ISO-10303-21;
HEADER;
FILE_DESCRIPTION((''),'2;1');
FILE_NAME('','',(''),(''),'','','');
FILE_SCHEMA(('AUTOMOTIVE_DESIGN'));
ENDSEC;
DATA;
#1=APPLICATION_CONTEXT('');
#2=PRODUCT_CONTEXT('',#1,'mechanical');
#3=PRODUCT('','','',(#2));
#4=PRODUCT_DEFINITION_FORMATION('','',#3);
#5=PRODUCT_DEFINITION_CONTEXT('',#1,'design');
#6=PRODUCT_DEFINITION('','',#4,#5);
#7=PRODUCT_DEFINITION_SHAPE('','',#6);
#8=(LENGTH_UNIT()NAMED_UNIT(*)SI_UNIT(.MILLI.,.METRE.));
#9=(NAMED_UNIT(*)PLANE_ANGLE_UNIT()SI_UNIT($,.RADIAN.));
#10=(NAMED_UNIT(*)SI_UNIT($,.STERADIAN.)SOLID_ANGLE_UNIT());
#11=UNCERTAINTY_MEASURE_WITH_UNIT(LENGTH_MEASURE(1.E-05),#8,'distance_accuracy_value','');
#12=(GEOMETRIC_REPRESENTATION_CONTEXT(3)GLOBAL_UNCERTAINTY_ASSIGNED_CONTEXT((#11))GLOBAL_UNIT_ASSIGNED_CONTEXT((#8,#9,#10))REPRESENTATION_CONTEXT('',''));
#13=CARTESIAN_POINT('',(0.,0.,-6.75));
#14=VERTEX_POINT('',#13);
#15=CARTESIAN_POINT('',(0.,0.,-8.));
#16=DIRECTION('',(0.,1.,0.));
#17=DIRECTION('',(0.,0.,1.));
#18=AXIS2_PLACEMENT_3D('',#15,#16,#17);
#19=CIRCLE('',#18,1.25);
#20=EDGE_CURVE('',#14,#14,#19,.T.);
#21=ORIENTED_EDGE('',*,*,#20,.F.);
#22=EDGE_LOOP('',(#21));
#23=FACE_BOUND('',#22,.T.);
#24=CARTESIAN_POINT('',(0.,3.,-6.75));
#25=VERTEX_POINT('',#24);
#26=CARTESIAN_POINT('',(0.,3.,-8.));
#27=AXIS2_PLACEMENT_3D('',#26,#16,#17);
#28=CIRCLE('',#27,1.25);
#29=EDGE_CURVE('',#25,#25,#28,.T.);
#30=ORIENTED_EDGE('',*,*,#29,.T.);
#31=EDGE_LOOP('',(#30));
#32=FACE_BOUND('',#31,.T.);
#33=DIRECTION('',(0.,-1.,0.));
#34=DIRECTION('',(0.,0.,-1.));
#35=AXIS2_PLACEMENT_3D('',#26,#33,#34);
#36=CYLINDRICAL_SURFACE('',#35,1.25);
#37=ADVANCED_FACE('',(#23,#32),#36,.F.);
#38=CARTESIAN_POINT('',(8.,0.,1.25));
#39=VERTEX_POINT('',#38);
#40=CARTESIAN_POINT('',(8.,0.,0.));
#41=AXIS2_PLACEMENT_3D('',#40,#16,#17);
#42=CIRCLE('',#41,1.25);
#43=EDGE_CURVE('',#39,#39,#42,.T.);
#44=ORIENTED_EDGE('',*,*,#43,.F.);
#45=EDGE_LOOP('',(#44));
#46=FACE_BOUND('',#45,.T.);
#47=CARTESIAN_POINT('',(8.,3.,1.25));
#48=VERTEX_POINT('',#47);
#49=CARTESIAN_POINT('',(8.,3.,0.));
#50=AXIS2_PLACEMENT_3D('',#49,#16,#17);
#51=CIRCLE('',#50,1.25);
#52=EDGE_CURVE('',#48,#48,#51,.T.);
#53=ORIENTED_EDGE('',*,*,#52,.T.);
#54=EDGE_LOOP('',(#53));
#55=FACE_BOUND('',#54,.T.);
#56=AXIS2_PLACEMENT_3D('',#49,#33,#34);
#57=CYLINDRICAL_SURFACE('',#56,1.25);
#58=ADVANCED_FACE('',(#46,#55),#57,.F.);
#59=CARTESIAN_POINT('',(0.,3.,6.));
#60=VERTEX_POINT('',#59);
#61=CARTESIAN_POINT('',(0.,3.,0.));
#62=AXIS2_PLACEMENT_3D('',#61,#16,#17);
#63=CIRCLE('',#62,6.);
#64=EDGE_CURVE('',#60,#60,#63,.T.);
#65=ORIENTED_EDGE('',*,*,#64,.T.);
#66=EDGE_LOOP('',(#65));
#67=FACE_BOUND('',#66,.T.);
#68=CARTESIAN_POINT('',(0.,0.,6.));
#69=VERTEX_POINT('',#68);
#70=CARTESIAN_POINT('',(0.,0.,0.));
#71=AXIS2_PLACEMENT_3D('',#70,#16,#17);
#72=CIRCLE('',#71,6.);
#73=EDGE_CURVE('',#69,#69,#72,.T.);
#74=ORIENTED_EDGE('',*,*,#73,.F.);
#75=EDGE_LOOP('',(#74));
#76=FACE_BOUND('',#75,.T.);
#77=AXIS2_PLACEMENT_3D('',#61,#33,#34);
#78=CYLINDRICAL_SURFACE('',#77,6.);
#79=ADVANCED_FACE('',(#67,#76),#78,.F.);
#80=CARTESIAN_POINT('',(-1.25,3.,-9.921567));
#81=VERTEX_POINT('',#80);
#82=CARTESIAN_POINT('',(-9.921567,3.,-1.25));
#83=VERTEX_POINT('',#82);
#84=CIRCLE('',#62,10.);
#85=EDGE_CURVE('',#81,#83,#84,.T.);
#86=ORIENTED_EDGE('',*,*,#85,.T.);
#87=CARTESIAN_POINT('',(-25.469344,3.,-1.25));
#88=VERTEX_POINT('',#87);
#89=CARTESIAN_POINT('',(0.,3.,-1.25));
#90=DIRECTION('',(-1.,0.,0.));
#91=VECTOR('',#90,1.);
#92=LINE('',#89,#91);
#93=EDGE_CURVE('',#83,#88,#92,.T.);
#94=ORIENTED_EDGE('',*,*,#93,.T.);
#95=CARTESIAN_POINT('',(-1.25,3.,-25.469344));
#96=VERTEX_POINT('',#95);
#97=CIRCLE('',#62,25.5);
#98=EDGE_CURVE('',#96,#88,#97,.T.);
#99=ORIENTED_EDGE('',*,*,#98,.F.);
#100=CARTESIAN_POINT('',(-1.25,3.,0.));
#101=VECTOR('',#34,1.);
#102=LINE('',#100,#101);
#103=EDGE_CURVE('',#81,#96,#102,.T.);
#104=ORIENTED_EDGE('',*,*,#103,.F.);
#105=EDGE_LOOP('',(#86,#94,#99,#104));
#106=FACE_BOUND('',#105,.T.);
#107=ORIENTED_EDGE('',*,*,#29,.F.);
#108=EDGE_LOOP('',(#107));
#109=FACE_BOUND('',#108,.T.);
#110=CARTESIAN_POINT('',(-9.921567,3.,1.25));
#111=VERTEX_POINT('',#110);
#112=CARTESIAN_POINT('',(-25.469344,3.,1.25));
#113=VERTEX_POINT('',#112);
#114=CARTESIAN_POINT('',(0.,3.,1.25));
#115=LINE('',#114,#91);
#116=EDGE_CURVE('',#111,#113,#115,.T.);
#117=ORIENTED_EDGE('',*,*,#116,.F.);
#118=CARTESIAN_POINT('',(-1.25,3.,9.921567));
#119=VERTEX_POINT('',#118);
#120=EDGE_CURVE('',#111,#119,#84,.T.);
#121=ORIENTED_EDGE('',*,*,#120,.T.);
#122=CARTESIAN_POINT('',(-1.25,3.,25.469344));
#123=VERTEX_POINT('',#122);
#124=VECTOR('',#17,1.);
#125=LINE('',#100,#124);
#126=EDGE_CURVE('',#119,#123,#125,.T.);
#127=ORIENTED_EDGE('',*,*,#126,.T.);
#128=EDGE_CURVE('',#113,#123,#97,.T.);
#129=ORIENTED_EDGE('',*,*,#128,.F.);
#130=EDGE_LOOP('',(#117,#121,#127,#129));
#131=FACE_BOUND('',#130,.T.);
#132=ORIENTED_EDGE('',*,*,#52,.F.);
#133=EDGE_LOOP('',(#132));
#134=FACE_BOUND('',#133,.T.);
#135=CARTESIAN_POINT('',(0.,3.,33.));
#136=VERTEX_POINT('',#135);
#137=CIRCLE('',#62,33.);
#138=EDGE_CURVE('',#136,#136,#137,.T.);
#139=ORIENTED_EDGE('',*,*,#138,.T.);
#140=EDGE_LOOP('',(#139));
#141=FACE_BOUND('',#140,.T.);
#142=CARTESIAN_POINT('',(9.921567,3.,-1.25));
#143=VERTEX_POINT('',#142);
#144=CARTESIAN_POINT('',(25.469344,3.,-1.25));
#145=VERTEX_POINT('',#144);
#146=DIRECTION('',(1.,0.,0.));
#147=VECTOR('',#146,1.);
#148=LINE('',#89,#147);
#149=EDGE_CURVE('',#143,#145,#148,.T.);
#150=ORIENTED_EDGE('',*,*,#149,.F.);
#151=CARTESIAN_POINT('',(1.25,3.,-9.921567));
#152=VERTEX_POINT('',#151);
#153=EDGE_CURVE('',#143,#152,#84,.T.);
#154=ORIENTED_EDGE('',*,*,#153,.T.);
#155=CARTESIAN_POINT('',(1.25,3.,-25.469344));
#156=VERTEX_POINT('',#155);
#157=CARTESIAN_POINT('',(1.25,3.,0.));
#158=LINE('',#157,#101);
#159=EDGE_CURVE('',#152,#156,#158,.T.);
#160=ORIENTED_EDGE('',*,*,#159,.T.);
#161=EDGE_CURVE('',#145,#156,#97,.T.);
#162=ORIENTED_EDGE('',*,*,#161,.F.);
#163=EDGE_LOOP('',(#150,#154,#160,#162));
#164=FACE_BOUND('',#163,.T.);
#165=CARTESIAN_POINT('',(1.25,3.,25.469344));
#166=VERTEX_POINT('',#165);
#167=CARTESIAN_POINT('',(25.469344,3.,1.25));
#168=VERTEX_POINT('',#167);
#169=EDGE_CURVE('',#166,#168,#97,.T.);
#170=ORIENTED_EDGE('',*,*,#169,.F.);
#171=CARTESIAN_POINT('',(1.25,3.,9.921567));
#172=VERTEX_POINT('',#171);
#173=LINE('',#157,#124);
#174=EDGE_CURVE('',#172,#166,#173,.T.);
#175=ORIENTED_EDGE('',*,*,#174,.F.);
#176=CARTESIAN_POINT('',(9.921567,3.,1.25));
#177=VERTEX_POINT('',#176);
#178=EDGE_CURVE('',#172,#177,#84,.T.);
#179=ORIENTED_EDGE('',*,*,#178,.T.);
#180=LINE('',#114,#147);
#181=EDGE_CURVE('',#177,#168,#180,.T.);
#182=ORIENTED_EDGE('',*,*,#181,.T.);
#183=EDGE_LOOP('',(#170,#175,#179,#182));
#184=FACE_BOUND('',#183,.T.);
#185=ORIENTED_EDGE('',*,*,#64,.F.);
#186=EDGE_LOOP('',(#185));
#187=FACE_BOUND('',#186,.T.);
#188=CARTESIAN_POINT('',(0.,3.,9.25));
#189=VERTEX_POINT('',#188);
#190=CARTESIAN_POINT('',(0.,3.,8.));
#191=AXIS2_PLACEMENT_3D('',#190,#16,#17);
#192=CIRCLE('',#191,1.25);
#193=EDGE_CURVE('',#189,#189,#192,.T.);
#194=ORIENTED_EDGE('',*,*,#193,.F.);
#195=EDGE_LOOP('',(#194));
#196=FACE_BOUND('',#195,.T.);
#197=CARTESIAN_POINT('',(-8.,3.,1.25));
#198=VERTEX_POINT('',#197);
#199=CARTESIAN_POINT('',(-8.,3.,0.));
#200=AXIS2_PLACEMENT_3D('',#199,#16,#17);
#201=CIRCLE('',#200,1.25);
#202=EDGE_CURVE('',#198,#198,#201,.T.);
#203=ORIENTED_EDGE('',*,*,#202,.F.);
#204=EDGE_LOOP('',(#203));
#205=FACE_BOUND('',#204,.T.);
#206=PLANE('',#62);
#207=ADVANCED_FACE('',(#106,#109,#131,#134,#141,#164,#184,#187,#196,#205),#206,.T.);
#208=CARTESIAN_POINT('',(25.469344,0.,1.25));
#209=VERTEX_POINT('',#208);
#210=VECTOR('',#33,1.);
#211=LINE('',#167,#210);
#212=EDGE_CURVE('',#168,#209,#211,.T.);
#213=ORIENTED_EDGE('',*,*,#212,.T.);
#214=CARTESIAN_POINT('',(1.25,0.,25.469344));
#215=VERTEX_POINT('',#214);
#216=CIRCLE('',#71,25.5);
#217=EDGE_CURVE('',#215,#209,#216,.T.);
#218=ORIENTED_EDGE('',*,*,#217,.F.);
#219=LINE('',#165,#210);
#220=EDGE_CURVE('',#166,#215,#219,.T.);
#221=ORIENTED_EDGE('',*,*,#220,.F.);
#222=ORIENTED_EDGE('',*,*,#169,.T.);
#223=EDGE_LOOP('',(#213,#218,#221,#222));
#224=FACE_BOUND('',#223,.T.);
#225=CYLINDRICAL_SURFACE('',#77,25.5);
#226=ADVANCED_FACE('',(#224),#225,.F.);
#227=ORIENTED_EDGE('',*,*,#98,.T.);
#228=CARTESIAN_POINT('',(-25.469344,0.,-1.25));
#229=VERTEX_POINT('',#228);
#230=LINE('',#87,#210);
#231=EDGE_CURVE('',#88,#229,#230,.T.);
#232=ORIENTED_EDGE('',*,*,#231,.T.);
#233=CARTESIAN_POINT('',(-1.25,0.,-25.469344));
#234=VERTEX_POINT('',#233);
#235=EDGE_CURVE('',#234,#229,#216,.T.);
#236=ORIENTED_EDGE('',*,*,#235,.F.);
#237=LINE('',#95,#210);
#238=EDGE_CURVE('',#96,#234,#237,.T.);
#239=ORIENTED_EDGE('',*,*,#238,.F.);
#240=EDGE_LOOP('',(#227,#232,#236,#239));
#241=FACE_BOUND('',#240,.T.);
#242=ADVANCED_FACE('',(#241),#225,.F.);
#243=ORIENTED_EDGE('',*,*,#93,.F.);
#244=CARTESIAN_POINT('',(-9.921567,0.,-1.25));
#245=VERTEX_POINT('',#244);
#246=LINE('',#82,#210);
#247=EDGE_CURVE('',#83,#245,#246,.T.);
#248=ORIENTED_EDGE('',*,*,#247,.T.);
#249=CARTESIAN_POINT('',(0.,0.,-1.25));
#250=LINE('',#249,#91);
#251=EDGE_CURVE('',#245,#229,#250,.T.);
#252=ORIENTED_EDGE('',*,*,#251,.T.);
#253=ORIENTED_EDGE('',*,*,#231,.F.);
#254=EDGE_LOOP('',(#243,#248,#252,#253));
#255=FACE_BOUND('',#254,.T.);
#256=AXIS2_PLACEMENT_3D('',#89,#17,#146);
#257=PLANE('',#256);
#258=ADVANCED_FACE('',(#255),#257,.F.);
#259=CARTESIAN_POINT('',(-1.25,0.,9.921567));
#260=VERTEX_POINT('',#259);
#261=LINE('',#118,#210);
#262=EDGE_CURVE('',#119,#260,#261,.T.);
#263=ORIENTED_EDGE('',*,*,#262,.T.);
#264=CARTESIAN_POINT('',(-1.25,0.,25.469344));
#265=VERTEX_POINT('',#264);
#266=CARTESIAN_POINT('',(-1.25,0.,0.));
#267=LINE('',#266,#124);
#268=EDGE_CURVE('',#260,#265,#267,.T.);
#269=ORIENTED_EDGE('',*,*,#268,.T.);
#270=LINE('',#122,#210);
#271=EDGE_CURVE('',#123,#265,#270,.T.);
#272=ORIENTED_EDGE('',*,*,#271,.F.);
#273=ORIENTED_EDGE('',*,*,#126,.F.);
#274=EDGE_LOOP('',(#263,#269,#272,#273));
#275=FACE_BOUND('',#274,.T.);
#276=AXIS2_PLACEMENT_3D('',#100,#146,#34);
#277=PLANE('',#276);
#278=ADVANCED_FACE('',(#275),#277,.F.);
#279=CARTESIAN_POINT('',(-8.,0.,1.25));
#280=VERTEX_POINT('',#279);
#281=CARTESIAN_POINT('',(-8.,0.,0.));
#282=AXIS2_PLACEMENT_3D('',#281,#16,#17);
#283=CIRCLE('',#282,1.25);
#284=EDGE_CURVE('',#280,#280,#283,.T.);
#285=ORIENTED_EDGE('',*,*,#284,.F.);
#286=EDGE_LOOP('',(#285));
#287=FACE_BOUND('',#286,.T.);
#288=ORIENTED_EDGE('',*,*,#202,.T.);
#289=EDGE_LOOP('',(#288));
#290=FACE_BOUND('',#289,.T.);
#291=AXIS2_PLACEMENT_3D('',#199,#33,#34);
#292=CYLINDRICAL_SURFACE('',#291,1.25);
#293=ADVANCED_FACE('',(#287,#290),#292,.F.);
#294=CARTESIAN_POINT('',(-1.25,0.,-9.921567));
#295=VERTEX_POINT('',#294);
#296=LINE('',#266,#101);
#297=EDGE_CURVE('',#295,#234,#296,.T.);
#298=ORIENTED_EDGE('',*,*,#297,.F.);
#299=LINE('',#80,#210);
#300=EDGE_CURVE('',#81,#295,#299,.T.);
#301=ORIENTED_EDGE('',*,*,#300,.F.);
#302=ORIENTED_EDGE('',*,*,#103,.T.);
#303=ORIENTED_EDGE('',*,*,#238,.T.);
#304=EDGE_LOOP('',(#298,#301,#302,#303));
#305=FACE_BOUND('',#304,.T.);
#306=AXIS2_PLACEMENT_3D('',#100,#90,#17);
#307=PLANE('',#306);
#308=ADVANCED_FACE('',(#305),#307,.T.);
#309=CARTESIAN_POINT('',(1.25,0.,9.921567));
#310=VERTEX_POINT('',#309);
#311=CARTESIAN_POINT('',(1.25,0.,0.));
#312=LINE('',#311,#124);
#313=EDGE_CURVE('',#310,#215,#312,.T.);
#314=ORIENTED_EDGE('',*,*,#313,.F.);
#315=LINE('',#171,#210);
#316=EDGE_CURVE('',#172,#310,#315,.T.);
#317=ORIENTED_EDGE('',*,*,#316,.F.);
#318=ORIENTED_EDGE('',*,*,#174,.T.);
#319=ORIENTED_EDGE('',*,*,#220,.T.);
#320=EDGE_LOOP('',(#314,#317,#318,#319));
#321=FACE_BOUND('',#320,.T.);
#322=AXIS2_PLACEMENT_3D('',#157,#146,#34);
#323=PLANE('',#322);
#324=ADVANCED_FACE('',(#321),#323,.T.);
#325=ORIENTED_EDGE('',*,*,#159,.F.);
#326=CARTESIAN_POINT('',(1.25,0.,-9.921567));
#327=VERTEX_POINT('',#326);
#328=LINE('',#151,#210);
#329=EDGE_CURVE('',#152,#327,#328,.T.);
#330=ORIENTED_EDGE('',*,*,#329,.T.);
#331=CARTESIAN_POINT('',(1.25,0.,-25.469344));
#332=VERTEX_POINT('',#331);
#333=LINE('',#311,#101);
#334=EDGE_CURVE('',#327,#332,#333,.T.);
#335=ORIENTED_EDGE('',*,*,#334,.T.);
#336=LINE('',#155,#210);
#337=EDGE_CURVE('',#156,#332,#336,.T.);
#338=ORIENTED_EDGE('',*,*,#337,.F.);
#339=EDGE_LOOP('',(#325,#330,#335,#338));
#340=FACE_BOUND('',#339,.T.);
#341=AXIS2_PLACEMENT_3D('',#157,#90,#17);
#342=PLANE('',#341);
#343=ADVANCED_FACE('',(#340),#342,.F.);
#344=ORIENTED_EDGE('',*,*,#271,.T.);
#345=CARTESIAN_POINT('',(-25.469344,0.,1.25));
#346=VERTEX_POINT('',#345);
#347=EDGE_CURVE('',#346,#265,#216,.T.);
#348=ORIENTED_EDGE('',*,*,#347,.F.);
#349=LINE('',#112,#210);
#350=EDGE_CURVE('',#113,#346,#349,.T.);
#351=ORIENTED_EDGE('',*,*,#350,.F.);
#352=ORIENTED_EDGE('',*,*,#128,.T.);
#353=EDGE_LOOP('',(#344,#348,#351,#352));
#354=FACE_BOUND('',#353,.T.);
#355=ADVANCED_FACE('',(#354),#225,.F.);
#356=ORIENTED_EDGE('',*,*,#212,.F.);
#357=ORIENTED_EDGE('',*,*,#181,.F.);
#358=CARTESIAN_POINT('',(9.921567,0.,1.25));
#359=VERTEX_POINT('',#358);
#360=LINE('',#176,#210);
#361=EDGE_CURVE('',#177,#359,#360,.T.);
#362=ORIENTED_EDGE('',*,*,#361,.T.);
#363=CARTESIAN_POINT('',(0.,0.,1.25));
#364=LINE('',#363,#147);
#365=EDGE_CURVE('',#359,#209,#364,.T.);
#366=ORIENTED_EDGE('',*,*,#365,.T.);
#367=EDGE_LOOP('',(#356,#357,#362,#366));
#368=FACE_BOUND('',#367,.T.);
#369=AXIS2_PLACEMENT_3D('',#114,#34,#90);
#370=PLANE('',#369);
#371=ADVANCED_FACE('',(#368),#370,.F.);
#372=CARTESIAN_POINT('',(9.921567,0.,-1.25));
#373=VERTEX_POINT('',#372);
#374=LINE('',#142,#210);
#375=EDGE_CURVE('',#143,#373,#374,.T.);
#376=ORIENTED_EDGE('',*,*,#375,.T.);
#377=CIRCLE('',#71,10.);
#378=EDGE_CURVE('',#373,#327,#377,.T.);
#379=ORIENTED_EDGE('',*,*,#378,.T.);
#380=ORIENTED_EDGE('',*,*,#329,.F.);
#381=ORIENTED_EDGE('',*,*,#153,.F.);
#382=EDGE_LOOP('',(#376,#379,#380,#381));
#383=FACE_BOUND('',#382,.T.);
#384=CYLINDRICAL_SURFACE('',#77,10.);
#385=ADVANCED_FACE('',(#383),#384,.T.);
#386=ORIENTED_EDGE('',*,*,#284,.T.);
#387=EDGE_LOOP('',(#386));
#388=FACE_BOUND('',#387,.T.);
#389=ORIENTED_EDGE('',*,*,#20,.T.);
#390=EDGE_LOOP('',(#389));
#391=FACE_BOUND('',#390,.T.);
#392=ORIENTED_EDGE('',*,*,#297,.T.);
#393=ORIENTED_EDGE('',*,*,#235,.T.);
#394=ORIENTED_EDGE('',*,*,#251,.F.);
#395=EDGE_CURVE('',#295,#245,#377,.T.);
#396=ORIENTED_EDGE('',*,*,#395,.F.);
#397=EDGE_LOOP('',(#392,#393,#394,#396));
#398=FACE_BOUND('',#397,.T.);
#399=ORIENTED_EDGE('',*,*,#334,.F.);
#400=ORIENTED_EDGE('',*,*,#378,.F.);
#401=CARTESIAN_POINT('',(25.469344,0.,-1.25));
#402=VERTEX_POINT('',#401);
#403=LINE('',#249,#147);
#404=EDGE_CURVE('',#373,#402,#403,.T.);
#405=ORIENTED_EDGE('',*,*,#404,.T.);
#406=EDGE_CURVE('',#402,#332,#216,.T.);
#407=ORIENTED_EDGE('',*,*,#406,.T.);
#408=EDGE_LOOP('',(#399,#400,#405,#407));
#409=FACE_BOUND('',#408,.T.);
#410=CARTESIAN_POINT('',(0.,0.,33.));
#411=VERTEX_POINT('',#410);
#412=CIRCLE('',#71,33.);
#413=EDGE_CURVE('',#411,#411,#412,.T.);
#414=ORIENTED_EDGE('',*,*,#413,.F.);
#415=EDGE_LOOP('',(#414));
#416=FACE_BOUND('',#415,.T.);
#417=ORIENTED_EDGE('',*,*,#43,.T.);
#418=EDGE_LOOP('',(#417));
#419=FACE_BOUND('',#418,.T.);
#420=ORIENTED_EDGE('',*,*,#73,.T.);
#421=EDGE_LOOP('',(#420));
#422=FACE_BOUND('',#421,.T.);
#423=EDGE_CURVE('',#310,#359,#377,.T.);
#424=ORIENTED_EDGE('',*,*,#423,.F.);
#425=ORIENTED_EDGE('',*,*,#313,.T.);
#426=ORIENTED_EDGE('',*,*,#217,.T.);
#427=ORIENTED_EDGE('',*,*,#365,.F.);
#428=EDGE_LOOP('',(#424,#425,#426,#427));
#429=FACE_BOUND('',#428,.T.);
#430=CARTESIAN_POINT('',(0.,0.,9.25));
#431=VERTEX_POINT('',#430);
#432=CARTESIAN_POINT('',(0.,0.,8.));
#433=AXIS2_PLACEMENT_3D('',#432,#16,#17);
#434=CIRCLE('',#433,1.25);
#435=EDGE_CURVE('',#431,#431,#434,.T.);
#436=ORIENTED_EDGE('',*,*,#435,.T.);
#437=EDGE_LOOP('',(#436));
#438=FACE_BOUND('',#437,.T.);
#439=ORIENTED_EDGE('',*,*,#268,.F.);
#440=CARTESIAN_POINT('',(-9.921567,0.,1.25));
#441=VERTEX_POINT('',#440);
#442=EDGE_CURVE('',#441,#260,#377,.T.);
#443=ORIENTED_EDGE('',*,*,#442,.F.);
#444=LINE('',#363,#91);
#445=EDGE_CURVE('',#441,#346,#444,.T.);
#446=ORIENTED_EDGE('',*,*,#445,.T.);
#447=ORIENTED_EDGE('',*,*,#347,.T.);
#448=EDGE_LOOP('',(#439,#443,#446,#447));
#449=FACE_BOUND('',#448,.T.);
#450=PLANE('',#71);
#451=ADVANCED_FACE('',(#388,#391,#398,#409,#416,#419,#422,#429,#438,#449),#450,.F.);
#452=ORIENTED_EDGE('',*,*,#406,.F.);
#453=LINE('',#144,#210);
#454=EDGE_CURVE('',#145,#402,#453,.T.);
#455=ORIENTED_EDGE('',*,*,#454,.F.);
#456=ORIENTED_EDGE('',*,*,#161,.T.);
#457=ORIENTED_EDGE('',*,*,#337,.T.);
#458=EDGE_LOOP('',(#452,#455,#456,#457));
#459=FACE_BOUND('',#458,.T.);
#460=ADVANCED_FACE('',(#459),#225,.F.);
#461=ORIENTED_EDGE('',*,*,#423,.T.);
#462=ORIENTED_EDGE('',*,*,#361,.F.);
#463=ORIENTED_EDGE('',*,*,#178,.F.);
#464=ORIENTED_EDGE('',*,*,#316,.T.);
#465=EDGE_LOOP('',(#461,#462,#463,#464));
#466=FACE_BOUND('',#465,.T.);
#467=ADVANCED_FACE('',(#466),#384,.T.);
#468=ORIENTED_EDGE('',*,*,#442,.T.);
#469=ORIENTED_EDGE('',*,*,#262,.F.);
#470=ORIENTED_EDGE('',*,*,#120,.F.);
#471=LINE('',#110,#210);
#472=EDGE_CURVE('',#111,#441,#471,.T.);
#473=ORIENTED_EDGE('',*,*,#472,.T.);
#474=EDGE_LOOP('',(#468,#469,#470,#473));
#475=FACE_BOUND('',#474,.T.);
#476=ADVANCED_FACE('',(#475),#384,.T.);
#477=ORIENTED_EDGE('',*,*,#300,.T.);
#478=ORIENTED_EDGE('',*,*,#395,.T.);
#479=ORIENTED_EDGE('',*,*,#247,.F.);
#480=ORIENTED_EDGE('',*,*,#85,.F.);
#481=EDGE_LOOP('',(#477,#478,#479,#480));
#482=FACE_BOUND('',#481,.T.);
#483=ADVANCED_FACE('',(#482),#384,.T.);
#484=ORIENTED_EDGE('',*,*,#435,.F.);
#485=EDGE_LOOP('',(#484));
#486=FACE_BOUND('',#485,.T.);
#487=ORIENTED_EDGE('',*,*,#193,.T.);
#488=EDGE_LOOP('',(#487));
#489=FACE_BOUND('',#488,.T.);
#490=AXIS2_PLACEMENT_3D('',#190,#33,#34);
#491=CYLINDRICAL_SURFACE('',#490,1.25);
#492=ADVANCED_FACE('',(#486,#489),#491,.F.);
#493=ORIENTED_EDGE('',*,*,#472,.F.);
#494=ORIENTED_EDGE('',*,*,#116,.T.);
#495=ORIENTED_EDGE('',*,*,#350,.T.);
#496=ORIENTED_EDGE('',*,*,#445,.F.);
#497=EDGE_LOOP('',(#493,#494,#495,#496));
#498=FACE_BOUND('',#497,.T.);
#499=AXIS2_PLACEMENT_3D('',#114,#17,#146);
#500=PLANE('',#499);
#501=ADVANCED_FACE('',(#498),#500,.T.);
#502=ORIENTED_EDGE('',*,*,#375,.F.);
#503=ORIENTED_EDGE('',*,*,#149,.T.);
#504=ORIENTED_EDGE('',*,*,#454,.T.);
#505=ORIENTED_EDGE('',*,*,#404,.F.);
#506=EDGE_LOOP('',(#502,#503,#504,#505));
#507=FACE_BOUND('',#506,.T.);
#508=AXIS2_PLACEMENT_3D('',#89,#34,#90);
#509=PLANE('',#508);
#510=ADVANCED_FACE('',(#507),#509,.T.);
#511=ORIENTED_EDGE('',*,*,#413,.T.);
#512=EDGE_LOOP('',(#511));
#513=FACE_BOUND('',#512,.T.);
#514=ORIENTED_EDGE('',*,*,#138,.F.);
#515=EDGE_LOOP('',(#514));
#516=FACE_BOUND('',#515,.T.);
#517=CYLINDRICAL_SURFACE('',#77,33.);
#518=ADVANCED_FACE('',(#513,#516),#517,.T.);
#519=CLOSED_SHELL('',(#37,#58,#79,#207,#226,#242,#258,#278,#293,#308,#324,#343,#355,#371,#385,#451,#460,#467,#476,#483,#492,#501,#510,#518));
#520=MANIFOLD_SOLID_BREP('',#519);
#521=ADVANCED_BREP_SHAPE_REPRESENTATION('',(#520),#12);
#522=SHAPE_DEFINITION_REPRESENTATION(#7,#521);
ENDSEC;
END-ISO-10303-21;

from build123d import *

# Parameters (mm, degrees)
SKETCH_1_R      = 33
SKETCH_1_R_2    = 25.5
SKETCH_1_R_3    = 10
SKETCH_1_R_4    = 1.25
SKETCH_1_R_5    = 6
EXTRUDE_1_DEPTH = 3


with BuildPart() as part:
    # 草图1 → 凸台-拉伸1 (new body)
    # profile 1 of 6: a face of its own
    with BuildSketch(Plane(origin=(0, 0, 0), x_dir=(1, 0, 0), z_dir=(0, 1, 0))):
        with Locations(Location((0, 0, 0), (0, 0, 270))):
            Circle(SKETCH_1_R)
        Circle(SKETCH_1_R_2, mode=Mode.SUBTRACT)
    # profile 2 of 6: a face of its own
    with BuildSketch(Plane(origin=(0, 0, 0), x_dir=(1, 0, 0), z_dir=(0, 1, 0))):
        with BuildLine():
            ThreePointArc((-9.921567416, -1.25), (-10, 0), (-9.921567416, 1.25))
            Line((-9.921567416, 1.25), (-25.469344318, 1.25))
            ThreePointArc((-25.469344318, 1.25), (-25.5, 0), (-25.469344318, -1.25))
            Line((-25.469344318, -1.25), (-9.921567416, -1.25))
        make_face()
    # profile 3 of 6: a face of its own
    with BuildSketch(Plane(origin=(0, 0, 0), x_dir=(1, 0, 0), z_dir=(0, 1, 0))):
        with BuildLine():
            ThreePointArc((-1.25, 9.921567416), (0, 10), (1.25, 9.921567416))
            Line((1.25, 9.921567416), (1.25, 25.469344318))
            ThreePointArc((1.25, 25.469344318), (0, 25.5), (-1.25, 25.469344318))
            Line((-1.25, 25.469344318), (-1.25, 9.921567416))
        make_face()
    # profile 4 of 6: a face of its own
    with BuildSketch(Plane(origin=(0, 0, 0), x_dir=(1, 0, 0), z_dir=(0, 1, 0))):
        Circle(SKETCH_1_R_3)
        with Locations(Location((8, 0, 0), (0, 0, 270))):
            Circle(SKETCH_1_R_4, mode=Mode.SUBTRACT)
        with Locations(Location((0, -8, 0), (0, 0, 270))):
            Circle(SKETCH_1_R_4, mode=Mode.SUBTRACT)
        with Locations(Location((-8, 0, 0), (0, 0, 270))):
            Circle(SKETCH_1_R_4, mode=Mode.SUBTRACT)
        with Locations(Location((0, 8, 0), (0, 0, 270))):
            Circle(SKETCH_1_R_4, mode=Mode.SUBTRACT)
        with Locations(Location((0, 0, 0), (0, 0, 270))):
            Circle(SKETCH_1_R_5, mode=Mode.SUBTRACT)
    # profile 5 of 6: a face of its own
    with BuildSketch(Plane(origin=(0, 0, 0), x_dir=(1, 0, 0), z_dir=(0, 1, 0))):
        with BuildLine():
            Line((25.469344318, 1.25), (9.921567416, 1.25))
            ThreePointArc((9.921567416, 1.25), (9.980372592, 0.626229125), (10, 0))
            ThreePointArc((10, 0), (9.980372592, -0.626229125), (9.921567416, -1.25))
            Line((9.921567416, -1.25), (25.469344318, -1.25))
            ThreePointArc((25.469344318, -1.25), (25.492334928, -0.625187926), (25.5, 0))
            ThreePointArc((25.5, 0), (25.492334928, 0.625187926), (25.469344318, 1.25))
        make_face()
    # profile 6 of 6: a face of its own
    with BuildSketch(Plane(origin=(0, 0, 0), x_dir=(1, 0, 0), z_dir=(0, 1, 0))):
        with BuildLine():
            Line((1.25, -25.469344318), (1.25, -9.921567416))
            ThreePointArc((1.25, -9.921567416), (0, -10), (-1.25, -9.921567416))
            Line((-1.25, -9.921567416), (-1.25, -25.469344318))
            ThreePointArc((-1.25, -25.469344318), (0, -25.5), (1.25, -25.469344318))
        make_face()
    extrude(amount=EXTRUDE_1_DEPTH)


solid = part.part
